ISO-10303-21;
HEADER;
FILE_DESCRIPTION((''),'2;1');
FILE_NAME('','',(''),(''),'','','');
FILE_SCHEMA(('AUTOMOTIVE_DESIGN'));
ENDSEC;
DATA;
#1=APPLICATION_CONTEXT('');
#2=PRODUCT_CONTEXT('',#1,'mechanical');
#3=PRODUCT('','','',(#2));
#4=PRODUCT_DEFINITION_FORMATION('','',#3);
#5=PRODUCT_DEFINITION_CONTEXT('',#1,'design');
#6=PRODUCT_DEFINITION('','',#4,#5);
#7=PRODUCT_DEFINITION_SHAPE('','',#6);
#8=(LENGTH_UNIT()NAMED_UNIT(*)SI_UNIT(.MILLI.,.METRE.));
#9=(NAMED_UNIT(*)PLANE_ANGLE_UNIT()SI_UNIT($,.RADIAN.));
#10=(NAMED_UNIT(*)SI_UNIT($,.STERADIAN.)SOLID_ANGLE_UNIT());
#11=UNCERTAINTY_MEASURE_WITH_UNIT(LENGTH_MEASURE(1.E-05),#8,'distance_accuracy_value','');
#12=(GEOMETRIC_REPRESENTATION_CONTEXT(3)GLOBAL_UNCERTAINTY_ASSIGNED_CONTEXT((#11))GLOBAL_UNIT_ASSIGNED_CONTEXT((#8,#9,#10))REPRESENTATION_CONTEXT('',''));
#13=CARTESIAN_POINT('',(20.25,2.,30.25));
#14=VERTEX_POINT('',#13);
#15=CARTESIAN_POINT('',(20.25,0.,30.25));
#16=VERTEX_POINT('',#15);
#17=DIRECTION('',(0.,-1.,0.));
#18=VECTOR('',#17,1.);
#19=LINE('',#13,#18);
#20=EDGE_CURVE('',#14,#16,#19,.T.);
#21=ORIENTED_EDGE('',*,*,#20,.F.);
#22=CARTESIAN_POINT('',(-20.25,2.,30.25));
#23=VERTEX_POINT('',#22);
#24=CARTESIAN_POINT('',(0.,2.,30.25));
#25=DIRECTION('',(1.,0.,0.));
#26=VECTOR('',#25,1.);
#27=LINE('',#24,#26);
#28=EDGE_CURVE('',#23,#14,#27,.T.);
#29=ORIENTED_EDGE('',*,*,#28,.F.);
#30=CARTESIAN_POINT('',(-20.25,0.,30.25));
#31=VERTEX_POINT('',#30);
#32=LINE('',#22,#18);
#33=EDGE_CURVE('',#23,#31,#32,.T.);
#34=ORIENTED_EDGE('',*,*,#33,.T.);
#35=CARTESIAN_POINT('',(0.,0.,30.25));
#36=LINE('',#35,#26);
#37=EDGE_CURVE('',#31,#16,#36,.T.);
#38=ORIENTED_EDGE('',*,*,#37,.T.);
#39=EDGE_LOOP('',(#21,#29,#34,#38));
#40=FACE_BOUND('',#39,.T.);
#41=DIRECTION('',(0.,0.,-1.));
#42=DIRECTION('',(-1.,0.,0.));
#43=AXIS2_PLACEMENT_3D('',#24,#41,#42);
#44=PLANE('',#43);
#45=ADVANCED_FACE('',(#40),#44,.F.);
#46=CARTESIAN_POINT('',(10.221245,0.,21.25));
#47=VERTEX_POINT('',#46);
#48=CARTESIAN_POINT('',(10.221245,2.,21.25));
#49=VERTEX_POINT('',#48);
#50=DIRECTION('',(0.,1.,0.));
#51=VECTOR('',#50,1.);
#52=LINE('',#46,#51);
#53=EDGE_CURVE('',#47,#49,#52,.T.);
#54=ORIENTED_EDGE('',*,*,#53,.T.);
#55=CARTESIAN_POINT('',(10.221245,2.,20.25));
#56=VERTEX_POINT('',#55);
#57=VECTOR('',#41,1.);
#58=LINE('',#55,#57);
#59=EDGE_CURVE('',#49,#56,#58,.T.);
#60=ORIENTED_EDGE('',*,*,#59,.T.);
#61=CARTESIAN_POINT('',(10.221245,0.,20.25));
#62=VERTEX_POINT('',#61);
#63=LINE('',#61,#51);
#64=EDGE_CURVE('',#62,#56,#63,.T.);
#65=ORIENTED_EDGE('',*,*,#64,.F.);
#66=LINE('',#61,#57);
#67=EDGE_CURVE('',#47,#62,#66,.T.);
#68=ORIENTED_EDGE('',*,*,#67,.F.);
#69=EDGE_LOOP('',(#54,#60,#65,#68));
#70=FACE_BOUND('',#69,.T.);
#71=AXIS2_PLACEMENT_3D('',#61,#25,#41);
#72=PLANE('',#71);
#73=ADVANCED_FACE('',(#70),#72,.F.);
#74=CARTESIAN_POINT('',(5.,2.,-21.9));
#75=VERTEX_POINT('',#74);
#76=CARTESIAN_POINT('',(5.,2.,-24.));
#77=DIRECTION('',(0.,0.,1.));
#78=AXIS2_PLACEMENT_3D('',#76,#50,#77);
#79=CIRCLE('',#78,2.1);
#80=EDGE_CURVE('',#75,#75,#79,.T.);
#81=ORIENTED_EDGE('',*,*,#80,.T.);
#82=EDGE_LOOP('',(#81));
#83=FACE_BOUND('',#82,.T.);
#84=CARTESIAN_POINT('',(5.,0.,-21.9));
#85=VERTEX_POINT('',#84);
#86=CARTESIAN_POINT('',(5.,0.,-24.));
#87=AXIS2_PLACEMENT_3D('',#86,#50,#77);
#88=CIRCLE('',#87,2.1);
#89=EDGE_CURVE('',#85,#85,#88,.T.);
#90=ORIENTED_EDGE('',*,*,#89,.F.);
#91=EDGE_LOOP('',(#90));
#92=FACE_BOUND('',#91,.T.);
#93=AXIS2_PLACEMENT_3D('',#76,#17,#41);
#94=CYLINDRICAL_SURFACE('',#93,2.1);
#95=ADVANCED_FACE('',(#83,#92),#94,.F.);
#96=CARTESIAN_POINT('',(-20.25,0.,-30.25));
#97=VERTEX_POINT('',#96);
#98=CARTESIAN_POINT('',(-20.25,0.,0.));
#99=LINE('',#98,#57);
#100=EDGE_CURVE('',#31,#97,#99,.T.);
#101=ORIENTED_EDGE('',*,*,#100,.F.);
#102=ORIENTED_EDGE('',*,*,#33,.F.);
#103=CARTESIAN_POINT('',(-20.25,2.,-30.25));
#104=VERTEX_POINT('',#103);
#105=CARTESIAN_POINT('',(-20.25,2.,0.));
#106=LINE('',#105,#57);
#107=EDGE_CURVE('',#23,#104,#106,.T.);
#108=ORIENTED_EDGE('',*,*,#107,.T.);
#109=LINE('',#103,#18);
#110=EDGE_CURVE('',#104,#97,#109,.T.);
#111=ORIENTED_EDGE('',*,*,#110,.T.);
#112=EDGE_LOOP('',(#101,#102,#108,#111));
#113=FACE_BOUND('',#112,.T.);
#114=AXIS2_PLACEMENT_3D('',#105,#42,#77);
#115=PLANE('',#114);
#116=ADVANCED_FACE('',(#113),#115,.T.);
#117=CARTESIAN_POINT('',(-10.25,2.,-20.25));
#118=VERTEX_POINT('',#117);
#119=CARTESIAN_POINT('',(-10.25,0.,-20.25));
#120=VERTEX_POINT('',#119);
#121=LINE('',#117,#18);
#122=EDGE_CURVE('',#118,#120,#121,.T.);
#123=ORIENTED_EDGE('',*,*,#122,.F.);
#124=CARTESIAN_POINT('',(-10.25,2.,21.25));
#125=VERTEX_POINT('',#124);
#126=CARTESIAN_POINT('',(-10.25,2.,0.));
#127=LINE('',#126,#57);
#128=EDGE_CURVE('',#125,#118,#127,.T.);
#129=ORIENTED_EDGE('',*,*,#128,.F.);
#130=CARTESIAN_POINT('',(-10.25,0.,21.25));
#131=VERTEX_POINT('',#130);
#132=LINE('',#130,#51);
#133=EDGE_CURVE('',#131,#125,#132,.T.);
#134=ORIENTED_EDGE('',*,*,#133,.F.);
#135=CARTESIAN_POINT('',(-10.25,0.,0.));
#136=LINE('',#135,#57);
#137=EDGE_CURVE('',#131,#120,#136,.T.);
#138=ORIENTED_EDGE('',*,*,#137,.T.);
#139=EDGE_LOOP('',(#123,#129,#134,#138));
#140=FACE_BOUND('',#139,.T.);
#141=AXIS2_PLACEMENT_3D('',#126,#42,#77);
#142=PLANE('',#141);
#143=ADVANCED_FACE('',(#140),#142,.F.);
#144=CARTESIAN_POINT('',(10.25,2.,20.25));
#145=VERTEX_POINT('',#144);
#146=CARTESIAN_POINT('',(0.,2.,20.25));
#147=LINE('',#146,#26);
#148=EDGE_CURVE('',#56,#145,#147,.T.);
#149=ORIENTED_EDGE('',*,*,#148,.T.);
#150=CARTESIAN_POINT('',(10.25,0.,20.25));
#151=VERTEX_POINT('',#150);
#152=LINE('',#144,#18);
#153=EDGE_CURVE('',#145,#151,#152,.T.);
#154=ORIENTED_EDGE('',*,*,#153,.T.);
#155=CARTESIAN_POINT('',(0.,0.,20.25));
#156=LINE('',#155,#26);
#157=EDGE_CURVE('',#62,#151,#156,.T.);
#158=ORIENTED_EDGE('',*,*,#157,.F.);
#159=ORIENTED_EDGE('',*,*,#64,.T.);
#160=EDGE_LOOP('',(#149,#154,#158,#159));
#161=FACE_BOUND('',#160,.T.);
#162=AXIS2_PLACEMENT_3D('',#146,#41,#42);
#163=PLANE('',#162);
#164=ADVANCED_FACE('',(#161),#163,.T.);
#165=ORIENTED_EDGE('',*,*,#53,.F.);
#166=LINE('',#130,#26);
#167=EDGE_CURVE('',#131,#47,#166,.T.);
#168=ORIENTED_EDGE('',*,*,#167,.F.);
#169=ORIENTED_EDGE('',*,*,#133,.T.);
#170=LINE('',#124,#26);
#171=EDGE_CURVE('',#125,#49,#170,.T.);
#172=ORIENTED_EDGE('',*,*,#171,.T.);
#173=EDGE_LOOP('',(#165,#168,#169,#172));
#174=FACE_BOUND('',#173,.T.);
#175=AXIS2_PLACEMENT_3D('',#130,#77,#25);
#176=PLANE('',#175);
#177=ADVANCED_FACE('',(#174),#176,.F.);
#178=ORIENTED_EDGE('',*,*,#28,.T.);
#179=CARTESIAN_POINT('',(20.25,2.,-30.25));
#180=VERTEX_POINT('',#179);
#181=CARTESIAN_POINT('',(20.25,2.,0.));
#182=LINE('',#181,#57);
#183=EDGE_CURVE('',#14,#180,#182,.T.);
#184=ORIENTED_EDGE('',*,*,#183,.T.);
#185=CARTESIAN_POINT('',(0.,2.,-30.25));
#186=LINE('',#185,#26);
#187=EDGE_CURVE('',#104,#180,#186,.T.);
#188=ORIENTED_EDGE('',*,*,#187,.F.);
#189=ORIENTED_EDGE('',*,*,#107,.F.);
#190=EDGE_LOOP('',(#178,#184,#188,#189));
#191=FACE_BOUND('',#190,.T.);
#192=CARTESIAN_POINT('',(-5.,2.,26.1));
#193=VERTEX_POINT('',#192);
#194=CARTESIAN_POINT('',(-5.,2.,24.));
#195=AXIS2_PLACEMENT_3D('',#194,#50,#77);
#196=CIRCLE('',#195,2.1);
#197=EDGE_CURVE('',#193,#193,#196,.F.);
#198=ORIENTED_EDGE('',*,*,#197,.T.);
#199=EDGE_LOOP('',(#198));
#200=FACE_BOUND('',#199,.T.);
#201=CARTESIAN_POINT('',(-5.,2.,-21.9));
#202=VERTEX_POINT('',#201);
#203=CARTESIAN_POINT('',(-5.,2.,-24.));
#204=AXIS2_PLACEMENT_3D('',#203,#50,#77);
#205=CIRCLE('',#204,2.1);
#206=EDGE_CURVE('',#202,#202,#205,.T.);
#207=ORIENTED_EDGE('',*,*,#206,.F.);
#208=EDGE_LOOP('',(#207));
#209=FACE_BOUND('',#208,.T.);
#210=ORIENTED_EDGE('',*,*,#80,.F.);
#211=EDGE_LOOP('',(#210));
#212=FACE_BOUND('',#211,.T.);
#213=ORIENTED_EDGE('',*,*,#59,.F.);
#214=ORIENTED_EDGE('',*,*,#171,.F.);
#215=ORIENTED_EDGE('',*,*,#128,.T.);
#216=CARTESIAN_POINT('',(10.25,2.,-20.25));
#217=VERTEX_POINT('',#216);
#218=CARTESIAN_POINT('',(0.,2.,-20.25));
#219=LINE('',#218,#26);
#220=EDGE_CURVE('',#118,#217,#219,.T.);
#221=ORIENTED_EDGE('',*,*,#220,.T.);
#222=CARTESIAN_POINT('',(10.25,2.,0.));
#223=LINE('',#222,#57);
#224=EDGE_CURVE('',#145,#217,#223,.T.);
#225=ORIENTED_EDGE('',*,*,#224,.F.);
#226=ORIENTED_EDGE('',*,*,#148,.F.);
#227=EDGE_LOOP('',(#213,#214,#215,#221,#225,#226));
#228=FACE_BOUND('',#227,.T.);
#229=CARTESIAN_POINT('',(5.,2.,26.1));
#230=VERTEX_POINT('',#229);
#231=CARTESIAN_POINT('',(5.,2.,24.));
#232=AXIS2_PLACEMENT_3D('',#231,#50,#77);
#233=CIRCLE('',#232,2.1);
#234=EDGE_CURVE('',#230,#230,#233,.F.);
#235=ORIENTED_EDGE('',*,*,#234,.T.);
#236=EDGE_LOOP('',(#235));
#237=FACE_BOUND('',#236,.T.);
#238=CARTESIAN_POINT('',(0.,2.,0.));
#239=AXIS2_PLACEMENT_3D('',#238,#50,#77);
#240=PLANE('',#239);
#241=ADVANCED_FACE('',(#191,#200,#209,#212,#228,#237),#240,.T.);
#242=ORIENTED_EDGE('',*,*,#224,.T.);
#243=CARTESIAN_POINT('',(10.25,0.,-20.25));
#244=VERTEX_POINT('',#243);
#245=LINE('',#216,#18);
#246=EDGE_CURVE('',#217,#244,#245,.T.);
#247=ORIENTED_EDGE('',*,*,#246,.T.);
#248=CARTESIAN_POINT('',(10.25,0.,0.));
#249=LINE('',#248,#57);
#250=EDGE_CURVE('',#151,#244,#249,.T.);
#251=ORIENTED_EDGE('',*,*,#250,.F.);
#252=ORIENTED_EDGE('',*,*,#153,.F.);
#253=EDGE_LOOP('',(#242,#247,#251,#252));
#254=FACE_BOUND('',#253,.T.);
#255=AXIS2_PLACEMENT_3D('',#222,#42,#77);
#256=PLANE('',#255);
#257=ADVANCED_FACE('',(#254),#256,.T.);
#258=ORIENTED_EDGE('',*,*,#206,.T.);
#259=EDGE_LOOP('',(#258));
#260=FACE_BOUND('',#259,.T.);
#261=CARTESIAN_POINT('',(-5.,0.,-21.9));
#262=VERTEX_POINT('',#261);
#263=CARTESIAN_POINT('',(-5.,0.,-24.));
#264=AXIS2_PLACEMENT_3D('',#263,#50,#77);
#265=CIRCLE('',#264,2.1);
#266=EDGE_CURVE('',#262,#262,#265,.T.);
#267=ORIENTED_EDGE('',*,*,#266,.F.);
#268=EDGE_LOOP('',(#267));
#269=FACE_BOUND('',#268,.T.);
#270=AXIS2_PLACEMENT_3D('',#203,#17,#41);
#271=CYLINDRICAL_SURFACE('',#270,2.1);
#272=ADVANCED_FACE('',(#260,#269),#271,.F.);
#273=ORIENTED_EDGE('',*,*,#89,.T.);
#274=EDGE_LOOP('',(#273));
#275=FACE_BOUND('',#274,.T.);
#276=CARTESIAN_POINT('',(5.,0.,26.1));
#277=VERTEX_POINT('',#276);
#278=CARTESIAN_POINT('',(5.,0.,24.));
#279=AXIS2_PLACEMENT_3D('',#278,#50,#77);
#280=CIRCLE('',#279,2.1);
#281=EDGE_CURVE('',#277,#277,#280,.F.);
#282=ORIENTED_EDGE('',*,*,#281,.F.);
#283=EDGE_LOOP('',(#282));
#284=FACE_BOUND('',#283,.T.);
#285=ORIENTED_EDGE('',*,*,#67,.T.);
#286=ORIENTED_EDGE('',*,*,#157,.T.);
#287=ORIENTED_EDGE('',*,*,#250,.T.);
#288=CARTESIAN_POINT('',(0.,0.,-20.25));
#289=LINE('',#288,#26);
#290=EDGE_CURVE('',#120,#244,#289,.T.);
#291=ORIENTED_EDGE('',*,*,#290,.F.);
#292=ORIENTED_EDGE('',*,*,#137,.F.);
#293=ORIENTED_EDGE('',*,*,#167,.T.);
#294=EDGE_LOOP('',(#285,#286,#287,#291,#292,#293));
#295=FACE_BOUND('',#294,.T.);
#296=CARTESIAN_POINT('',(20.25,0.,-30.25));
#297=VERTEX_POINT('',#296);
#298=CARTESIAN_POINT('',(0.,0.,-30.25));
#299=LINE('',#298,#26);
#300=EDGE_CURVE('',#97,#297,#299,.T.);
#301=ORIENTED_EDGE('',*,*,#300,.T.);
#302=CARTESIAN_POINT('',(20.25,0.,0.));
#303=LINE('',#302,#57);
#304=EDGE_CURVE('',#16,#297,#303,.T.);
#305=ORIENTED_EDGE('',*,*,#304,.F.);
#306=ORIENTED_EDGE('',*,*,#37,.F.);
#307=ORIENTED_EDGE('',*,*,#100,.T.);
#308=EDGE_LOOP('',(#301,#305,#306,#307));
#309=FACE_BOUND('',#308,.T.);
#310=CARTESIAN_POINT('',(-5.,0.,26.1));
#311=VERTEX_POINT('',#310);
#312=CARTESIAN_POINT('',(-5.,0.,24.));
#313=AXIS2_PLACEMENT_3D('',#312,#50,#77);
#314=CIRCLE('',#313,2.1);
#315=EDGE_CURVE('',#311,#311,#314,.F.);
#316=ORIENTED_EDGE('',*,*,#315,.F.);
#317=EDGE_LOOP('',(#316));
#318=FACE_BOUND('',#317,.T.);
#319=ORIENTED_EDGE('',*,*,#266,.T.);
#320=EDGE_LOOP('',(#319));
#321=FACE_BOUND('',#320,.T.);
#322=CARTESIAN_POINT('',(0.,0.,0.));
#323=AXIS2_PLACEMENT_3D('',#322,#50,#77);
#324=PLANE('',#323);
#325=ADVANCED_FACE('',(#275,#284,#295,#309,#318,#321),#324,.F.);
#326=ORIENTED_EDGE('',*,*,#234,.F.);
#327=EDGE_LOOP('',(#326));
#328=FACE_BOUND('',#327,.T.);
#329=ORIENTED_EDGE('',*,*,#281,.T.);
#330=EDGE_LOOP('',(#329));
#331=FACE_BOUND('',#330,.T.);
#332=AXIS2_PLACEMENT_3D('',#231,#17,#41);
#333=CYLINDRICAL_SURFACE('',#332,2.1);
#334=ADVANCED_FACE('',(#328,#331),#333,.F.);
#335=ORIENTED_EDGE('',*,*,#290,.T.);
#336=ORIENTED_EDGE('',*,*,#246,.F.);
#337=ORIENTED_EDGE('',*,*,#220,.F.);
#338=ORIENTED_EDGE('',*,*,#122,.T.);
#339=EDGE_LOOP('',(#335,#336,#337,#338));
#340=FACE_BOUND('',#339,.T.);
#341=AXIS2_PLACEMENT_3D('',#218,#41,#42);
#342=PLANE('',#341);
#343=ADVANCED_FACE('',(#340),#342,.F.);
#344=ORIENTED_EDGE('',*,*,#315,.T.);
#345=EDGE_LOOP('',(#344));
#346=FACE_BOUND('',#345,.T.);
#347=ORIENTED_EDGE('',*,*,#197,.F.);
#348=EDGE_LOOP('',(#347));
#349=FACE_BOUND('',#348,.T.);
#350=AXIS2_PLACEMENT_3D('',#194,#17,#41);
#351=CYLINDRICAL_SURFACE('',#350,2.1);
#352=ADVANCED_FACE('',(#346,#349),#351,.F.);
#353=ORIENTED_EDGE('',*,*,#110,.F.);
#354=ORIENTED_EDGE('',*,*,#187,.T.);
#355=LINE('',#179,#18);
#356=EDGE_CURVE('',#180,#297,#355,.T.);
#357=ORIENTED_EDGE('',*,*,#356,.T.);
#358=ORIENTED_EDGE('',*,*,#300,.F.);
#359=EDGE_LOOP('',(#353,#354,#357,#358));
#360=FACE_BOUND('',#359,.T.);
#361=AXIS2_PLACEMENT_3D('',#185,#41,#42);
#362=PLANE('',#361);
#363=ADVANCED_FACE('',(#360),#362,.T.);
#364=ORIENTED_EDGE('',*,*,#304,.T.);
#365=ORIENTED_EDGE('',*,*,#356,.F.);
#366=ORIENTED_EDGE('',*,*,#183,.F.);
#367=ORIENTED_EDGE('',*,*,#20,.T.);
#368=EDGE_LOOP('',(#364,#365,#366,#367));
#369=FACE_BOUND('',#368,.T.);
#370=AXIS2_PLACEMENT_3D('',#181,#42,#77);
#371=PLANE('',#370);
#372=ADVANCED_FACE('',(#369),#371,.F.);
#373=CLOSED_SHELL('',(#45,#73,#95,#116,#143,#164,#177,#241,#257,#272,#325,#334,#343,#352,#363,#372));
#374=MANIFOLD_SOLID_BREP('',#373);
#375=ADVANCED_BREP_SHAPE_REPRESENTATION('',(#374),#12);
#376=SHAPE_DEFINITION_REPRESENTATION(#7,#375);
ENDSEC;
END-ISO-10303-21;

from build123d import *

# Parameters (mm, degrees)
SKETCH_1_W          = 40.5
SKETCH_1_H          = 60.5
SKETCH_1_R          = 2.1
EXTRUDE_2_DEPTH     = 2
SKETCH_3_W          = 20.471244586
SKETCH_3_H          = 1
CUT_EXTRUDE_2_DEPTH = 2


with BuildPart() as part:
    # 草图1 → 凸台-拉伸2 (new body)
    # profile 1 of 2: a face of its own
    with BuildSketch(Plane(origin=(0, 0, 0), x_dir=(1, 0, 0), z_dir=(0, 1, 0))):
        Rectangle(SKETCH_1_W, SKETCH_1_H)
        with Locations(Location((-5, -24, 0), (0, 0, 270))):
            Circle(SKETCH_1_R, mode=Mode.SUBTRACT)
        with Locations(Location((5, -24, 0), (0, 0, 270))):
            Circle(SKETCH_1_R, mode=Mode.SUBTRACT)
        with BuildLine():
            Line((10.25, -20.25), (-10.25, -20.25))
            Line((-10.25, -20.25), (-10.25, 20.25))
            Line((-10.25, 20.25), (-5, 20.25))
            Line((-5, 20.25), (-5, 21.9))
            ThreePointArc((-5, 21.9), (-6.48492424, 25.48492424), (-2.9, 24))
            Line((-2.9, 24), (2.9, 24))
            ThreePointArc((2.9, 24), (5, 26.1), (7.1, 24))
            ThreePointArc((7.1, 24), (6.48492424, 22.51507576), (5, 21.9))
            Line((5, 21.9), (5, 20.25))
            Line((5, 20.25), (10.25, 20.25))
            Line((10.25, 20.25), (10.25, -20.25))
        make_face(mode=Mode.SUBTRACT)
    # profile 2 of 2: a face of its own
    with BuildSketch(Plane(origin=(0, 0, 0), x_dir=(1, 0, 0), z_dir=(0, 1, 0))):
        with BuildLine():
            Line((-5, 21.9), (-5, 20.25))
            Line((-5, 20.25), (5, 20.25))
            Line((5, 20.25), (5, 21.9))
            ThreePointArc((5, 21.9), (3.51507576, 22.51507576), (2.9, 24))
            Line((2.9, 24), (-2.9, 24))
            ThreePointArc((-2.9, 24), (-3.51507576, 22.51507576), (-5, 21.9))
        make_face()
    extrude(amount=EXTRUDE_2_DEPTH)

    # 草图3 → 切除-拉伸2 (cut)
    with BuildSketch(Plane(origin=(0, 2, 0), x_dir=(1, 0, 0), z_dir=(0, 1, 0))):
        with Locations((-0.014377707, -20.75)):
            Rectangle(SKETCH_3_W, SKETCH_3_H)
    extrude(amount=-CUT_EXTRUDE_2_DEPTH, mode=Mode.SUBTRACT)


solid = part.part
